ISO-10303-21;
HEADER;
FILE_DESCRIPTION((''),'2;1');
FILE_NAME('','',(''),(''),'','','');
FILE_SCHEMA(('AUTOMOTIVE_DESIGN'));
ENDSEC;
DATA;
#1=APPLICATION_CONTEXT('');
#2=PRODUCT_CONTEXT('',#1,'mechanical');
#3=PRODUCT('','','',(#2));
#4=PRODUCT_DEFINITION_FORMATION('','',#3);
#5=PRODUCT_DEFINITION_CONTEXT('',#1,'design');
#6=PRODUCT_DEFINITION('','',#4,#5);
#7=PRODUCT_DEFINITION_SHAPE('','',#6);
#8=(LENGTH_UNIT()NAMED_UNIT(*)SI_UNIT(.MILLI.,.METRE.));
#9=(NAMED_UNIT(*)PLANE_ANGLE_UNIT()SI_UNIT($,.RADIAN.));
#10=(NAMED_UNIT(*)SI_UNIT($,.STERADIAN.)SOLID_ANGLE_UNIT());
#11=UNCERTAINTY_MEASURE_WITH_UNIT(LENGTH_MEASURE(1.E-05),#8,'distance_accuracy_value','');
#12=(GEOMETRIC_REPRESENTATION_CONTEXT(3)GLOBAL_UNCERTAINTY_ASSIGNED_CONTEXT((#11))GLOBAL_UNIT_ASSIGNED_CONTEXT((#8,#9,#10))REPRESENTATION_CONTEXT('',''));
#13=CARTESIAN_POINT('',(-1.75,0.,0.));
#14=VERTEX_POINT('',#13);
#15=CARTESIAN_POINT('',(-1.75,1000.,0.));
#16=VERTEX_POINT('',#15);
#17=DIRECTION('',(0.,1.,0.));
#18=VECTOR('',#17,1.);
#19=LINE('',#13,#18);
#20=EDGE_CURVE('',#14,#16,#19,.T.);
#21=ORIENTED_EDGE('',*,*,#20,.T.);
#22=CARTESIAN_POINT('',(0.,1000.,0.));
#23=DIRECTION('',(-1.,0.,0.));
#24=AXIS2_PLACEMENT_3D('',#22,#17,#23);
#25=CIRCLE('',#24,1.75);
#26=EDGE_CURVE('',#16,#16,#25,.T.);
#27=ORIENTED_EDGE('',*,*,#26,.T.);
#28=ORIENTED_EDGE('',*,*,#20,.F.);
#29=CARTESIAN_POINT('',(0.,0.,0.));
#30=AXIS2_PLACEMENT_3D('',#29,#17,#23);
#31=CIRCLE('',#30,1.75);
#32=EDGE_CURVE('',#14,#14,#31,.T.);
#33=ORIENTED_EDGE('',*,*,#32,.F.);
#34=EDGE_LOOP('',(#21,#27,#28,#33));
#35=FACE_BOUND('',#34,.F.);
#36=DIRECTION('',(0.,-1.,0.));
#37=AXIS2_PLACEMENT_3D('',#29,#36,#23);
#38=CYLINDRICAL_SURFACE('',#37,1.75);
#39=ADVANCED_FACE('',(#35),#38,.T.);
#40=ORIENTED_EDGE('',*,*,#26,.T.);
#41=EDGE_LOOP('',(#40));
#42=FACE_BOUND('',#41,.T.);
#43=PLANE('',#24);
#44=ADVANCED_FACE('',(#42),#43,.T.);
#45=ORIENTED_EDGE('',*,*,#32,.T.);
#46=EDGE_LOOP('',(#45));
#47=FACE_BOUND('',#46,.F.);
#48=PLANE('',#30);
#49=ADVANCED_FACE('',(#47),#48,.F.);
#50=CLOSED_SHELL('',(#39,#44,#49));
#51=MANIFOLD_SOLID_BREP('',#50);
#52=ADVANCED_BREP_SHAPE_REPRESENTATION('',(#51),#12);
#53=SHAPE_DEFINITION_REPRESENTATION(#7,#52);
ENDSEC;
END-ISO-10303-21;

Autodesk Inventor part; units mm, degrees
ref_plane "YZ Plane" through (0, 0, 0) normal (1, 0, 0) x (0, 1, 0)
ref_plane "XZ Plane" through (0, 0, 0) normal (0, 1, 0) x (-1, 0, 0)
ref_plane "XY Plane" through (0, 0, 0) normal (0, 0, 1) x (1, 0, 0)
sketch "Sketch1" plane through (0, 0, 0) normal (0, 1, 0) x (-1, 0, 0)
  circle A0 centre (0, 0) radius 1.75
  dimension "d0" = 3.5
extrude "Extrusion1" add sketch "Sketch1" along normal blind 1000
properties part number "rod" material "Aluminum 6061"
